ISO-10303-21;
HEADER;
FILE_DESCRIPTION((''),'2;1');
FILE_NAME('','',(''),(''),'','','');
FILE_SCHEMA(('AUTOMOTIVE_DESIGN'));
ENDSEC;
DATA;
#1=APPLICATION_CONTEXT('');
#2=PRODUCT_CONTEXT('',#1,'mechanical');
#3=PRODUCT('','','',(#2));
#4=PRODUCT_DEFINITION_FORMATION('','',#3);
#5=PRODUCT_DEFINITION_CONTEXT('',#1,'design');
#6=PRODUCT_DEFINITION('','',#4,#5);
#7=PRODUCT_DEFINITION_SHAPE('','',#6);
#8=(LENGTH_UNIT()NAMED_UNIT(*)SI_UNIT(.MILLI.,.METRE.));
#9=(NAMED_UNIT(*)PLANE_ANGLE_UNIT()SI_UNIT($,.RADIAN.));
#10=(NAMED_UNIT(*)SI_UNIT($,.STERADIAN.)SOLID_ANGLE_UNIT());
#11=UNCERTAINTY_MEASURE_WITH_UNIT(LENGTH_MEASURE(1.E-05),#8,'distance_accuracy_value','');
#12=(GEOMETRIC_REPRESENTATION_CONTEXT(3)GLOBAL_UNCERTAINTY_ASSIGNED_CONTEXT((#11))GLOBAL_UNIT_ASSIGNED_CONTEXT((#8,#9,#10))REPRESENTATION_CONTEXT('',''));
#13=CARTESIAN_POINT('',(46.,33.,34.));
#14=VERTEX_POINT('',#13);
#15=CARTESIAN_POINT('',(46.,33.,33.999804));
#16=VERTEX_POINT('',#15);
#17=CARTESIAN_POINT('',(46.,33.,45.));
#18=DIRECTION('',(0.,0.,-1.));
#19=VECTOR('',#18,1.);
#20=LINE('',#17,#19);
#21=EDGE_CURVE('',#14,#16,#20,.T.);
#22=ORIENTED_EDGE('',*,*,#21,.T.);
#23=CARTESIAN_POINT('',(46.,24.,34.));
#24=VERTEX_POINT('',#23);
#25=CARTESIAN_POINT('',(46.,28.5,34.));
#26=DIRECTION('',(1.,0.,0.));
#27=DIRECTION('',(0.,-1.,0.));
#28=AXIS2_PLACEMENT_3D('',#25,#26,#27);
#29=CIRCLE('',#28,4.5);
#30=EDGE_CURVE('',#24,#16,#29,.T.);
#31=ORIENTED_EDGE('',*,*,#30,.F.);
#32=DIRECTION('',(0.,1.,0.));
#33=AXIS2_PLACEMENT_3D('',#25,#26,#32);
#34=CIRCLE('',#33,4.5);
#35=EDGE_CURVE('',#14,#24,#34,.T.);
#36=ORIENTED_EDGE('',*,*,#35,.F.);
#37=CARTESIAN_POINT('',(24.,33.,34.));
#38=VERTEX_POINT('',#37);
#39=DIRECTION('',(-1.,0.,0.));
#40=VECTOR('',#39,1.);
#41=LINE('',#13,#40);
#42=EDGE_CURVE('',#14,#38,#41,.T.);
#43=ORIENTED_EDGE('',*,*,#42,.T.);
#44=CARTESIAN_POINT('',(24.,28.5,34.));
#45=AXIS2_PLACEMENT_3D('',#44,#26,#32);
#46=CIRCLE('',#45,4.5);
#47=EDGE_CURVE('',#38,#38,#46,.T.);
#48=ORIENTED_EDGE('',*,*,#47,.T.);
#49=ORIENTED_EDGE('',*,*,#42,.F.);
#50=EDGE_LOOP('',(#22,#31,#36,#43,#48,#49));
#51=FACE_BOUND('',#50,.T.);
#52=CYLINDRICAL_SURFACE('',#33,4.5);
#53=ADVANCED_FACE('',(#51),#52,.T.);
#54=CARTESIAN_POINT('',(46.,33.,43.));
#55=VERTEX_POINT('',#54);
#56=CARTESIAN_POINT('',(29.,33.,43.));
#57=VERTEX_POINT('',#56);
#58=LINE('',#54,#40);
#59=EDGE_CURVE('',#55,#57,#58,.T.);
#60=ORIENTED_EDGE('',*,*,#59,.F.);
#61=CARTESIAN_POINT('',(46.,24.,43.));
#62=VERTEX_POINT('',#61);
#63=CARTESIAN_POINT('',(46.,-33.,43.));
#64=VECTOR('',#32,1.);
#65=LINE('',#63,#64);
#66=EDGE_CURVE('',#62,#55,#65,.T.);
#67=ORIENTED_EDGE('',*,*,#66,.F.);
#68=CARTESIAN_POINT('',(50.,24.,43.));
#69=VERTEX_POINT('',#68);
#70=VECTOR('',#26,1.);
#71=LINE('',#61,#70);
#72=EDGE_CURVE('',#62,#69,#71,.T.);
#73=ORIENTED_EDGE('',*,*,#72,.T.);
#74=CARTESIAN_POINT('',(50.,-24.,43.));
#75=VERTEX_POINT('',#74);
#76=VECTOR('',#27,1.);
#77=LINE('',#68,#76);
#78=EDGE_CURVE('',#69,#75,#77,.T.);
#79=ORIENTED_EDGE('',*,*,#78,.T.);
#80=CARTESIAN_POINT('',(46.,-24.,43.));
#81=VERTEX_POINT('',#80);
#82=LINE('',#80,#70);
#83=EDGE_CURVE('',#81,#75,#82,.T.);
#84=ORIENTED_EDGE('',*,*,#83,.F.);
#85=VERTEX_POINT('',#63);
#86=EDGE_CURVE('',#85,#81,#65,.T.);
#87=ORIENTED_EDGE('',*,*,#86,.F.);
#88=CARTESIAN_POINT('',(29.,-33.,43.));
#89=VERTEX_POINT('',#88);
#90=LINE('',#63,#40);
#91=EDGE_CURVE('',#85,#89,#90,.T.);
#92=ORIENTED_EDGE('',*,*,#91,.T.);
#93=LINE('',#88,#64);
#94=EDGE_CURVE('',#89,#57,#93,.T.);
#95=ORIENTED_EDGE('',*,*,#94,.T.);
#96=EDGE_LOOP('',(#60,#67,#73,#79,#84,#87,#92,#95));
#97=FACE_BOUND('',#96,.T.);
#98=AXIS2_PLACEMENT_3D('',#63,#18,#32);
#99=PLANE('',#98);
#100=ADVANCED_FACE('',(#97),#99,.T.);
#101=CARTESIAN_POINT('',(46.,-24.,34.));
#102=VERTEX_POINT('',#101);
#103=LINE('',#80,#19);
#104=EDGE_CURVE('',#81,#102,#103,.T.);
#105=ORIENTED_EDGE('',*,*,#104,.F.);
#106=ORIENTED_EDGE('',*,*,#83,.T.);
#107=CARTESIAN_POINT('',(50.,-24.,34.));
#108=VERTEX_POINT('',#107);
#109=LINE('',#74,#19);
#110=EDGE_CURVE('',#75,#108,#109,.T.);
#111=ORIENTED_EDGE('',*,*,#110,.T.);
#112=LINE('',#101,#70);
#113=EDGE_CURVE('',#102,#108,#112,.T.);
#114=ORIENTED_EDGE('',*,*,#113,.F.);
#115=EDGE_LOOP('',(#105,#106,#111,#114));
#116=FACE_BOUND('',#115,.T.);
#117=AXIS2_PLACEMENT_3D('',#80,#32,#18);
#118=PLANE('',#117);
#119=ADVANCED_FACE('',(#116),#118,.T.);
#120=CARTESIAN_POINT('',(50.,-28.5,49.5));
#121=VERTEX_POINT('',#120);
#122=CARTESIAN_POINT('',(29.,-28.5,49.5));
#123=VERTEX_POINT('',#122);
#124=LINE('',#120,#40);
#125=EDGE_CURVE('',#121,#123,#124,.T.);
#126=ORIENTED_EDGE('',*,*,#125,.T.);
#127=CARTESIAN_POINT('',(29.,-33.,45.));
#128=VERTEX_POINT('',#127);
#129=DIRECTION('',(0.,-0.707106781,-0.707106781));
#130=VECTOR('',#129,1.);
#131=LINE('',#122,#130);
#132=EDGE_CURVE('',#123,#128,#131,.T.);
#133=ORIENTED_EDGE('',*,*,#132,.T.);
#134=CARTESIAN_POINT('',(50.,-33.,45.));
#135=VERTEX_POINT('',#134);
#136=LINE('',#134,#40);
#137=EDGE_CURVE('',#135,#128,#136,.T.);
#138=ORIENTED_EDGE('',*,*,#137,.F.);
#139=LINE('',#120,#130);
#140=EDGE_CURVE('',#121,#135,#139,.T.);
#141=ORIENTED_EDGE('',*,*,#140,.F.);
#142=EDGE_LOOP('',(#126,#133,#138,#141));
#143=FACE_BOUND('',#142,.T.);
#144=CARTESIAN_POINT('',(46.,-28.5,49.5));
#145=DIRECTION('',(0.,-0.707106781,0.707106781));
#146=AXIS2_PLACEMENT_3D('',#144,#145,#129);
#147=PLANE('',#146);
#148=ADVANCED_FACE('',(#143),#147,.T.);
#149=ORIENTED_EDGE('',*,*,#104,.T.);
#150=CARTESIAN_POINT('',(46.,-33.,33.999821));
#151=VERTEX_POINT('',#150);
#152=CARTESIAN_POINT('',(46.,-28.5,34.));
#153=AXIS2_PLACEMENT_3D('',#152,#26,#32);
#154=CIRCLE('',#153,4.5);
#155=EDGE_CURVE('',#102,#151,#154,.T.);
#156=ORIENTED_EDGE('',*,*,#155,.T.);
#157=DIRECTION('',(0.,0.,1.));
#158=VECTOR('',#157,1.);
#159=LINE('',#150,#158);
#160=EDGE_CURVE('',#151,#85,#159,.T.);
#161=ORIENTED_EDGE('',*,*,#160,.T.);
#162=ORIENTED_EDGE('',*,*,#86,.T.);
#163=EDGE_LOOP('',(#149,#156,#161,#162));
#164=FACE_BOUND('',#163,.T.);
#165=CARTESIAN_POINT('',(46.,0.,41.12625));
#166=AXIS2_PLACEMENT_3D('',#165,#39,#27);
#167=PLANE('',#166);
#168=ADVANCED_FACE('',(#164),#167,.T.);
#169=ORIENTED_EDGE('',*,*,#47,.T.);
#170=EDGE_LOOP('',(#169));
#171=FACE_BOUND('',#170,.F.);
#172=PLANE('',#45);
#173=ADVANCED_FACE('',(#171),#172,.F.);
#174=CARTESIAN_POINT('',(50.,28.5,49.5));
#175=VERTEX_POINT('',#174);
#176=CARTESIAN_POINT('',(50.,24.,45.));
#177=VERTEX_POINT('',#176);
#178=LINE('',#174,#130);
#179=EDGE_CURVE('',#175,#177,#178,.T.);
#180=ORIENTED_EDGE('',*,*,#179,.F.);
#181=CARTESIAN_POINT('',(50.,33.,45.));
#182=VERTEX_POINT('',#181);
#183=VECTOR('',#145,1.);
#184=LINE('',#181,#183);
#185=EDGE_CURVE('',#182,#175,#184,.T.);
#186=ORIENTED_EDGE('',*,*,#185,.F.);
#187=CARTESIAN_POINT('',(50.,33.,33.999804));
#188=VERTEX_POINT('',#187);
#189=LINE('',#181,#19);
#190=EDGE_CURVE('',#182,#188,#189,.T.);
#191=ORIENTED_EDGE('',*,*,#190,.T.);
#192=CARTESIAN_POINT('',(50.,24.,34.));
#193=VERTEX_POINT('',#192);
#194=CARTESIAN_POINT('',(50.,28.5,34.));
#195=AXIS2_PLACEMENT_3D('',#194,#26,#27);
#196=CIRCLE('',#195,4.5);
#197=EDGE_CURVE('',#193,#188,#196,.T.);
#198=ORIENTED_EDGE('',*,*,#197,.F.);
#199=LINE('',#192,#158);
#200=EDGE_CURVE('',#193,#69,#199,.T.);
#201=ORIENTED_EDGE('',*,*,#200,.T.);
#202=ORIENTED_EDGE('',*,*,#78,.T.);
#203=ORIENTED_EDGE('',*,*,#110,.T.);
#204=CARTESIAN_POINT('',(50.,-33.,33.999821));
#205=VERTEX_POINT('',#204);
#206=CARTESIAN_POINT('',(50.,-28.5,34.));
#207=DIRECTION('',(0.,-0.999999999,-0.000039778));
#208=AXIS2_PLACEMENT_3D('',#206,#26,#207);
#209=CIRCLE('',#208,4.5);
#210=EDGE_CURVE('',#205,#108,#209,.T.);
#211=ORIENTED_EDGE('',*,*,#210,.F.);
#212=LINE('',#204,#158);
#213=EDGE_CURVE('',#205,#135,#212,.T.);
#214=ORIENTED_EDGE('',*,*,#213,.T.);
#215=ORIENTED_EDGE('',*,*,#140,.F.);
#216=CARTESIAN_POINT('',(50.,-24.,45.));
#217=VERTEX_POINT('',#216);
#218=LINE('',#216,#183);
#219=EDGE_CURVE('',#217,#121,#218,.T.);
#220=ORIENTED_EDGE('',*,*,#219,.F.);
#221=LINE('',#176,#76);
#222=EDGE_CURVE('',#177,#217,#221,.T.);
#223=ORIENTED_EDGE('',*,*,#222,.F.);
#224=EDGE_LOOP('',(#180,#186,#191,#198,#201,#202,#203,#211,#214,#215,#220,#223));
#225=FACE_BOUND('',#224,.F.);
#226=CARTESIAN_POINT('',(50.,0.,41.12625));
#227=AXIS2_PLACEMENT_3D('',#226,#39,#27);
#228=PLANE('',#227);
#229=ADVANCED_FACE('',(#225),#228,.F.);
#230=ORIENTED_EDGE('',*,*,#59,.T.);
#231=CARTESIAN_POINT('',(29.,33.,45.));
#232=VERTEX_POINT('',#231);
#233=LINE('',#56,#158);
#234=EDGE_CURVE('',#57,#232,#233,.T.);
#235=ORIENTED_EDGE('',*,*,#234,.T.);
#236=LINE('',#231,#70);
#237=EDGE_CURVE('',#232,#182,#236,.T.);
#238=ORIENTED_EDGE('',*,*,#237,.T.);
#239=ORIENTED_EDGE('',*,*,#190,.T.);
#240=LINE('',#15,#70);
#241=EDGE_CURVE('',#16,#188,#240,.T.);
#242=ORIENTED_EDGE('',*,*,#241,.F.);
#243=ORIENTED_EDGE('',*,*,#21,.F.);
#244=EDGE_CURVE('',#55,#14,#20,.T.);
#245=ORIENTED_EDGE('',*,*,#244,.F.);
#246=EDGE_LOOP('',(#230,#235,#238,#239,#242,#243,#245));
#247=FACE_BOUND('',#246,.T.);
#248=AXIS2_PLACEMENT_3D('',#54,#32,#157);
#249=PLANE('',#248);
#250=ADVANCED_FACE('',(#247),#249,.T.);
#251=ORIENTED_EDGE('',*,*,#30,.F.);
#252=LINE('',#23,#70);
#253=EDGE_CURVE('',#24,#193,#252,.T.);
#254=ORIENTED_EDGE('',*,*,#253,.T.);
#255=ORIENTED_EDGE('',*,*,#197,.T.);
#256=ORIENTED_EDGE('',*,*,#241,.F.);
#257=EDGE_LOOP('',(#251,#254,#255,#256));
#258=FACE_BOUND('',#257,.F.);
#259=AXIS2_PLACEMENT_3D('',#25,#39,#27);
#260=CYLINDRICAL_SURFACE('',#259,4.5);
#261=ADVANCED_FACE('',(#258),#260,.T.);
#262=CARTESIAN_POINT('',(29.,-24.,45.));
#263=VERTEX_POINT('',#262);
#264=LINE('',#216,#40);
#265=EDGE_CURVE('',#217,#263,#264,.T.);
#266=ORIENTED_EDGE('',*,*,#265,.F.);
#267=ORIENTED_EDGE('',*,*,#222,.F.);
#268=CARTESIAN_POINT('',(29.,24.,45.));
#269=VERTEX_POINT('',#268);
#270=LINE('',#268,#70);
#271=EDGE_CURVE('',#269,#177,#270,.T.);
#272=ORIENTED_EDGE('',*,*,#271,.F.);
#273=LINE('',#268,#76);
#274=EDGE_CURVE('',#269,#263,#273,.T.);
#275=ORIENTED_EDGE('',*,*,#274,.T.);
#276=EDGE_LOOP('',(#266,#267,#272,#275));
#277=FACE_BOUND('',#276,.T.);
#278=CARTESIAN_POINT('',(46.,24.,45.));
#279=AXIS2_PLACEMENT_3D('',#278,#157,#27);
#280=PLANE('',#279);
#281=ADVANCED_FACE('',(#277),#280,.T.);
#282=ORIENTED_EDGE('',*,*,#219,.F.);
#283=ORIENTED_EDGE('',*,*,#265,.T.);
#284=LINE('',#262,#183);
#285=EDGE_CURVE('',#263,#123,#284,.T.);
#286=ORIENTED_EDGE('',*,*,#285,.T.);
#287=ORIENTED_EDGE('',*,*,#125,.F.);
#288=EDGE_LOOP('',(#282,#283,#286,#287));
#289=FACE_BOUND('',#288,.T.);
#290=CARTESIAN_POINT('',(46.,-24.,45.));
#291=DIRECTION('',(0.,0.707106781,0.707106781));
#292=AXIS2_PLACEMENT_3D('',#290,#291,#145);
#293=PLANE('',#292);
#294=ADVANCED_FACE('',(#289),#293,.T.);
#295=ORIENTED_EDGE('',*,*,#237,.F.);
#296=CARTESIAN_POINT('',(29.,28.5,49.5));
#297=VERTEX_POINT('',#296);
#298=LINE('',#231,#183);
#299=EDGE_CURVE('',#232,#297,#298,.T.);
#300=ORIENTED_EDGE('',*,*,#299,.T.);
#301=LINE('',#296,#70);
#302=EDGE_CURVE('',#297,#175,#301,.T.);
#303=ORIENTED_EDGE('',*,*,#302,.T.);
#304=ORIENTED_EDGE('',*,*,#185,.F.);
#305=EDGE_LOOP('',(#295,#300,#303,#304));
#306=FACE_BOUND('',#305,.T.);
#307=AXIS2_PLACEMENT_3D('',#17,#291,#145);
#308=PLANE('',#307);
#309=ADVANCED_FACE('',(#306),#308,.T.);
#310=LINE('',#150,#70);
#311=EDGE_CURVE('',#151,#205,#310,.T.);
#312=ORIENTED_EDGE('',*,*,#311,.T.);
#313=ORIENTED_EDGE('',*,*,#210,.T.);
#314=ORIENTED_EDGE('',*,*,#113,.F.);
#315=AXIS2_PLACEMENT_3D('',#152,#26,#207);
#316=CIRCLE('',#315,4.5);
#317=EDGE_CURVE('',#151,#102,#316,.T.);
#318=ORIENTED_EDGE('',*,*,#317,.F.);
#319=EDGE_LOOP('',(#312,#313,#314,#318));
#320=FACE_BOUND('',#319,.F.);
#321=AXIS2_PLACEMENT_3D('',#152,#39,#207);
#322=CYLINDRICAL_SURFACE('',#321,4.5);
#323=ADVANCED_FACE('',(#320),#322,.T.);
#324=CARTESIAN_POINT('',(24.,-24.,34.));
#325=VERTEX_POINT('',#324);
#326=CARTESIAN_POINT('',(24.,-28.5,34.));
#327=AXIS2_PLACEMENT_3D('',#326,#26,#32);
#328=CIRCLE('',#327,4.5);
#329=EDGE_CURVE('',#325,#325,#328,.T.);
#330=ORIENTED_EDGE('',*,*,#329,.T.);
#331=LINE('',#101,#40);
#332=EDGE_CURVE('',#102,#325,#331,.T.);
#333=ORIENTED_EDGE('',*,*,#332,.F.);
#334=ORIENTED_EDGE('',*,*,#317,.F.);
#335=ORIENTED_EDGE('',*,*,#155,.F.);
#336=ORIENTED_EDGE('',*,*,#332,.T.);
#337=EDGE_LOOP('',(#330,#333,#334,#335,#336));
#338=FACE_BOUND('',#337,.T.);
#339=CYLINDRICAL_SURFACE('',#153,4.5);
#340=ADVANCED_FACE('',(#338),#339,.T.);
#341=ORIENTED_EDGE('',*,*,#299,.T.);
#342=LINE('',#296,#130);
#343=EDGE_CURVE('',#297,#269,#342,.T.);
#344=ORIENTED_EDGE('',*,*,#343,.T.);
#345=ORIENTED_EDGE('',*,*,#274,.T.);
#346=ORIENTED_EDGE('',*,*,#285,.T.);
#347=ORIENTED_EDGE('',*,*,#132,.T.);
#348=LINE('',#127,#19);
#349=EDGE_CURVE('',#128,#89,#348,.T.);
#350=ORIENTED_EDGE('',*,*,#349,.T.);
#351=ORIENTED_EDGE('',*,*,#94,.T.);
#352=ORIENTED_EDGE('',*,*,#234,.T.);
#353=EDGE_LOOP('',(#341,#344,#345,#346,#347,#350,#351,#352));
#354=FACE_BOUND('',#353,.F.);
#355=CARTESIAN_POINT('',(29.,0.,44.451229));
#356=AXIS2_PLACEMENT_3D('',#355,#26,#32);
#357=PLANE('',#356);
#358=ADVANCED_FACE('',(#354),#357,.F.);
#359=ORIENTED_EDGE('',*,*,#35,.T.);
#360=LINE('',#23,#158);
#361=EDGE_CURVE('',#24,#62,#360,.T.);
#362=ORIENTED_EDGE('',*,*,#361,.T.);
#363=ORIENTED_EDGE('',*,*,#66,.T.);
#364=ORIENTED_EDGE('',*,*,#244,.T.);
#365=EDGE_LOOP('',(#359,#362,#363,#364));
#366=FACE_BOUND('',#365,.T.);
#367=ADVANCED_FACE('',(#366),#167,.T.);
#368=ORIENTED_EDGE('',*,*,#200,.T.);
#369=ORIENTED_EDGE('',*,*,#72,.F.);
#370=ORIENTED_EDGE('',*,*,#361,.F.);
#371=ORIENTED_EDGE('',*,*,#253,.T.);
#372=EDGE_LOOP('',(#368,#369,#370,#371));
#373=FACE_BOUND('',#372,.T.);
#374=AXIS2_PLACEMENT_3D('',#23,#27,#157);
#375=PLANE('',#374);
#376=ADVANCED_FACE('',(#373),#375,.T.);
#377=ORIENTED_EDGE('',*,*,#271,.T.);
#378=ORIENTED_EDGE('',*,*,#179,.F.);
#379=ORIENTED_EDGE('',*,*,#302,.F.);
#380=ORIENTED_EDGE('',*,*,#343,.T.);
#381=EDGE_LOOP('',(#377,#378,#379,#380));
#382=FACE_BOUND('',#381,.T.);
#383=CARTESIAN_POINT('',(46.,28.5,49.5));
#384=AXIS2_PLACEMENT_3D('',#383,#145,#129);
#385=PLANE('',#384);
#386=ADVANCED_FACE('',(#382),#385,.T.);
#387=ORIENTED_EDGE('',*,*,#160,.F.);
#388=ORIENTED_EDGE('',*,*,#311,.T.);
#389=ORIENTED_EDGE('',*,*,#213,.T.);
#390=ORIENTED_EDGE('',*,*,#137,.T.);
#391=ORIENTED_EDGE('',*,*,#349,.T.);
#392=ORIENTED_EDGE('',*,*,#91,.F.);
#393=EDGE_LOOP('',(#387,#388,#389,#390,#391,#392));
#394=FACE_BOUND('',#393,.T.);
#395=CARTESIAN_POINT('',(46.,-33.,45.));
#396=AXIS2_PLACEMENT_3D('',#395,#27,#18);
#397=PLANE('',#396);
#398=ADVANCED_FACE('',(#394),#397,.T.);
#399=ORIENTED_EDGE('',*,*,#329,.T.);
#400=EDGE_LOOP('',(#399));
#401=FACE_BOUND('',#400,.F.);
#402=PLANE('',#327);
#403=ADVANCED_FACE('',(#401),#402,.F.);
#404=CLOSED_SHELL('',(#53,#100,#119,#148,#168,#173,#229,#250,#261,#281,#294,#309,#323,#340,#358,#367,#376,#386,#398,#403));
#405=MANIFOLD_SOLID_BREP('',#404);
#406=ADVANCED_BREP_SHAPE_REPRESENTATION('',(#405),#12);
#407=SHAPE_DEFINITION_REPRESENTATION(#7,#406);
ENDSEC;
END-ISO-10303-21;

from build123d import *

# Parameters (mm, degrees)
PAD047_DEPTH      = 4
SKETCH067_R       = 4.5
PAD048_DEPTH      = 22
PAD049_DEPTH      = 4
PAD049_DEPTH_BACK = 17


with BuildPart() as part:
    # Sketch066 → Pad047 (new body)
    with BuildSketch(Plane.YZ):
        with BuildLine():
            Line((-33, 33.999821), (-33, 45))
            Line((-33, 45), (33, 45))
            Line((33, 45), (33, 33.999804))
            ThreePointArc((24, 34), (28.499902, 29.5), (33, 33.999804))
            Line((24, 34), (24, 43))
            Line((24, 43), (-24, 43))
            Line((-24, 43), (-24, 34))
            ThreePointArc((-33, 33.999821), (-28.499911, 29.5), (-24, 34))
        make_face()
    extrude(amount=PAD047_DEPTH)

    # Sketch067 → Pad048 (join)
    with BuildSketch(Plane.YZ):
        with Locations((-28.5, 34)):
            Circle(SKETCH067_R)
        with Locations((28.5, 34)):
            Circle(SKETCH067_R)
    extrude(amount=-PAD048_DEPTH)

    # Sketch068 → Pad049 (join, two sides)
    with BuildSketch(Plane.YZ) as pad049_sk:
        Polygon((-33, 45), (-33, 43), (33, 43), (33, 45), (28.5, 49.5), (24, 45), (-24, 45), (-28.5, 49.5), align=None)
    extrude(amount=PAD049_DEPTH)
    extrude(pad049_sk.sketch, amount=-PAD049_DEPTH_BACK)


with BuildPart() as part_1:
    # Body031 placement: moved
    add(part.part.moved(Location((46, 0, 0))))


solid = part_1.part
